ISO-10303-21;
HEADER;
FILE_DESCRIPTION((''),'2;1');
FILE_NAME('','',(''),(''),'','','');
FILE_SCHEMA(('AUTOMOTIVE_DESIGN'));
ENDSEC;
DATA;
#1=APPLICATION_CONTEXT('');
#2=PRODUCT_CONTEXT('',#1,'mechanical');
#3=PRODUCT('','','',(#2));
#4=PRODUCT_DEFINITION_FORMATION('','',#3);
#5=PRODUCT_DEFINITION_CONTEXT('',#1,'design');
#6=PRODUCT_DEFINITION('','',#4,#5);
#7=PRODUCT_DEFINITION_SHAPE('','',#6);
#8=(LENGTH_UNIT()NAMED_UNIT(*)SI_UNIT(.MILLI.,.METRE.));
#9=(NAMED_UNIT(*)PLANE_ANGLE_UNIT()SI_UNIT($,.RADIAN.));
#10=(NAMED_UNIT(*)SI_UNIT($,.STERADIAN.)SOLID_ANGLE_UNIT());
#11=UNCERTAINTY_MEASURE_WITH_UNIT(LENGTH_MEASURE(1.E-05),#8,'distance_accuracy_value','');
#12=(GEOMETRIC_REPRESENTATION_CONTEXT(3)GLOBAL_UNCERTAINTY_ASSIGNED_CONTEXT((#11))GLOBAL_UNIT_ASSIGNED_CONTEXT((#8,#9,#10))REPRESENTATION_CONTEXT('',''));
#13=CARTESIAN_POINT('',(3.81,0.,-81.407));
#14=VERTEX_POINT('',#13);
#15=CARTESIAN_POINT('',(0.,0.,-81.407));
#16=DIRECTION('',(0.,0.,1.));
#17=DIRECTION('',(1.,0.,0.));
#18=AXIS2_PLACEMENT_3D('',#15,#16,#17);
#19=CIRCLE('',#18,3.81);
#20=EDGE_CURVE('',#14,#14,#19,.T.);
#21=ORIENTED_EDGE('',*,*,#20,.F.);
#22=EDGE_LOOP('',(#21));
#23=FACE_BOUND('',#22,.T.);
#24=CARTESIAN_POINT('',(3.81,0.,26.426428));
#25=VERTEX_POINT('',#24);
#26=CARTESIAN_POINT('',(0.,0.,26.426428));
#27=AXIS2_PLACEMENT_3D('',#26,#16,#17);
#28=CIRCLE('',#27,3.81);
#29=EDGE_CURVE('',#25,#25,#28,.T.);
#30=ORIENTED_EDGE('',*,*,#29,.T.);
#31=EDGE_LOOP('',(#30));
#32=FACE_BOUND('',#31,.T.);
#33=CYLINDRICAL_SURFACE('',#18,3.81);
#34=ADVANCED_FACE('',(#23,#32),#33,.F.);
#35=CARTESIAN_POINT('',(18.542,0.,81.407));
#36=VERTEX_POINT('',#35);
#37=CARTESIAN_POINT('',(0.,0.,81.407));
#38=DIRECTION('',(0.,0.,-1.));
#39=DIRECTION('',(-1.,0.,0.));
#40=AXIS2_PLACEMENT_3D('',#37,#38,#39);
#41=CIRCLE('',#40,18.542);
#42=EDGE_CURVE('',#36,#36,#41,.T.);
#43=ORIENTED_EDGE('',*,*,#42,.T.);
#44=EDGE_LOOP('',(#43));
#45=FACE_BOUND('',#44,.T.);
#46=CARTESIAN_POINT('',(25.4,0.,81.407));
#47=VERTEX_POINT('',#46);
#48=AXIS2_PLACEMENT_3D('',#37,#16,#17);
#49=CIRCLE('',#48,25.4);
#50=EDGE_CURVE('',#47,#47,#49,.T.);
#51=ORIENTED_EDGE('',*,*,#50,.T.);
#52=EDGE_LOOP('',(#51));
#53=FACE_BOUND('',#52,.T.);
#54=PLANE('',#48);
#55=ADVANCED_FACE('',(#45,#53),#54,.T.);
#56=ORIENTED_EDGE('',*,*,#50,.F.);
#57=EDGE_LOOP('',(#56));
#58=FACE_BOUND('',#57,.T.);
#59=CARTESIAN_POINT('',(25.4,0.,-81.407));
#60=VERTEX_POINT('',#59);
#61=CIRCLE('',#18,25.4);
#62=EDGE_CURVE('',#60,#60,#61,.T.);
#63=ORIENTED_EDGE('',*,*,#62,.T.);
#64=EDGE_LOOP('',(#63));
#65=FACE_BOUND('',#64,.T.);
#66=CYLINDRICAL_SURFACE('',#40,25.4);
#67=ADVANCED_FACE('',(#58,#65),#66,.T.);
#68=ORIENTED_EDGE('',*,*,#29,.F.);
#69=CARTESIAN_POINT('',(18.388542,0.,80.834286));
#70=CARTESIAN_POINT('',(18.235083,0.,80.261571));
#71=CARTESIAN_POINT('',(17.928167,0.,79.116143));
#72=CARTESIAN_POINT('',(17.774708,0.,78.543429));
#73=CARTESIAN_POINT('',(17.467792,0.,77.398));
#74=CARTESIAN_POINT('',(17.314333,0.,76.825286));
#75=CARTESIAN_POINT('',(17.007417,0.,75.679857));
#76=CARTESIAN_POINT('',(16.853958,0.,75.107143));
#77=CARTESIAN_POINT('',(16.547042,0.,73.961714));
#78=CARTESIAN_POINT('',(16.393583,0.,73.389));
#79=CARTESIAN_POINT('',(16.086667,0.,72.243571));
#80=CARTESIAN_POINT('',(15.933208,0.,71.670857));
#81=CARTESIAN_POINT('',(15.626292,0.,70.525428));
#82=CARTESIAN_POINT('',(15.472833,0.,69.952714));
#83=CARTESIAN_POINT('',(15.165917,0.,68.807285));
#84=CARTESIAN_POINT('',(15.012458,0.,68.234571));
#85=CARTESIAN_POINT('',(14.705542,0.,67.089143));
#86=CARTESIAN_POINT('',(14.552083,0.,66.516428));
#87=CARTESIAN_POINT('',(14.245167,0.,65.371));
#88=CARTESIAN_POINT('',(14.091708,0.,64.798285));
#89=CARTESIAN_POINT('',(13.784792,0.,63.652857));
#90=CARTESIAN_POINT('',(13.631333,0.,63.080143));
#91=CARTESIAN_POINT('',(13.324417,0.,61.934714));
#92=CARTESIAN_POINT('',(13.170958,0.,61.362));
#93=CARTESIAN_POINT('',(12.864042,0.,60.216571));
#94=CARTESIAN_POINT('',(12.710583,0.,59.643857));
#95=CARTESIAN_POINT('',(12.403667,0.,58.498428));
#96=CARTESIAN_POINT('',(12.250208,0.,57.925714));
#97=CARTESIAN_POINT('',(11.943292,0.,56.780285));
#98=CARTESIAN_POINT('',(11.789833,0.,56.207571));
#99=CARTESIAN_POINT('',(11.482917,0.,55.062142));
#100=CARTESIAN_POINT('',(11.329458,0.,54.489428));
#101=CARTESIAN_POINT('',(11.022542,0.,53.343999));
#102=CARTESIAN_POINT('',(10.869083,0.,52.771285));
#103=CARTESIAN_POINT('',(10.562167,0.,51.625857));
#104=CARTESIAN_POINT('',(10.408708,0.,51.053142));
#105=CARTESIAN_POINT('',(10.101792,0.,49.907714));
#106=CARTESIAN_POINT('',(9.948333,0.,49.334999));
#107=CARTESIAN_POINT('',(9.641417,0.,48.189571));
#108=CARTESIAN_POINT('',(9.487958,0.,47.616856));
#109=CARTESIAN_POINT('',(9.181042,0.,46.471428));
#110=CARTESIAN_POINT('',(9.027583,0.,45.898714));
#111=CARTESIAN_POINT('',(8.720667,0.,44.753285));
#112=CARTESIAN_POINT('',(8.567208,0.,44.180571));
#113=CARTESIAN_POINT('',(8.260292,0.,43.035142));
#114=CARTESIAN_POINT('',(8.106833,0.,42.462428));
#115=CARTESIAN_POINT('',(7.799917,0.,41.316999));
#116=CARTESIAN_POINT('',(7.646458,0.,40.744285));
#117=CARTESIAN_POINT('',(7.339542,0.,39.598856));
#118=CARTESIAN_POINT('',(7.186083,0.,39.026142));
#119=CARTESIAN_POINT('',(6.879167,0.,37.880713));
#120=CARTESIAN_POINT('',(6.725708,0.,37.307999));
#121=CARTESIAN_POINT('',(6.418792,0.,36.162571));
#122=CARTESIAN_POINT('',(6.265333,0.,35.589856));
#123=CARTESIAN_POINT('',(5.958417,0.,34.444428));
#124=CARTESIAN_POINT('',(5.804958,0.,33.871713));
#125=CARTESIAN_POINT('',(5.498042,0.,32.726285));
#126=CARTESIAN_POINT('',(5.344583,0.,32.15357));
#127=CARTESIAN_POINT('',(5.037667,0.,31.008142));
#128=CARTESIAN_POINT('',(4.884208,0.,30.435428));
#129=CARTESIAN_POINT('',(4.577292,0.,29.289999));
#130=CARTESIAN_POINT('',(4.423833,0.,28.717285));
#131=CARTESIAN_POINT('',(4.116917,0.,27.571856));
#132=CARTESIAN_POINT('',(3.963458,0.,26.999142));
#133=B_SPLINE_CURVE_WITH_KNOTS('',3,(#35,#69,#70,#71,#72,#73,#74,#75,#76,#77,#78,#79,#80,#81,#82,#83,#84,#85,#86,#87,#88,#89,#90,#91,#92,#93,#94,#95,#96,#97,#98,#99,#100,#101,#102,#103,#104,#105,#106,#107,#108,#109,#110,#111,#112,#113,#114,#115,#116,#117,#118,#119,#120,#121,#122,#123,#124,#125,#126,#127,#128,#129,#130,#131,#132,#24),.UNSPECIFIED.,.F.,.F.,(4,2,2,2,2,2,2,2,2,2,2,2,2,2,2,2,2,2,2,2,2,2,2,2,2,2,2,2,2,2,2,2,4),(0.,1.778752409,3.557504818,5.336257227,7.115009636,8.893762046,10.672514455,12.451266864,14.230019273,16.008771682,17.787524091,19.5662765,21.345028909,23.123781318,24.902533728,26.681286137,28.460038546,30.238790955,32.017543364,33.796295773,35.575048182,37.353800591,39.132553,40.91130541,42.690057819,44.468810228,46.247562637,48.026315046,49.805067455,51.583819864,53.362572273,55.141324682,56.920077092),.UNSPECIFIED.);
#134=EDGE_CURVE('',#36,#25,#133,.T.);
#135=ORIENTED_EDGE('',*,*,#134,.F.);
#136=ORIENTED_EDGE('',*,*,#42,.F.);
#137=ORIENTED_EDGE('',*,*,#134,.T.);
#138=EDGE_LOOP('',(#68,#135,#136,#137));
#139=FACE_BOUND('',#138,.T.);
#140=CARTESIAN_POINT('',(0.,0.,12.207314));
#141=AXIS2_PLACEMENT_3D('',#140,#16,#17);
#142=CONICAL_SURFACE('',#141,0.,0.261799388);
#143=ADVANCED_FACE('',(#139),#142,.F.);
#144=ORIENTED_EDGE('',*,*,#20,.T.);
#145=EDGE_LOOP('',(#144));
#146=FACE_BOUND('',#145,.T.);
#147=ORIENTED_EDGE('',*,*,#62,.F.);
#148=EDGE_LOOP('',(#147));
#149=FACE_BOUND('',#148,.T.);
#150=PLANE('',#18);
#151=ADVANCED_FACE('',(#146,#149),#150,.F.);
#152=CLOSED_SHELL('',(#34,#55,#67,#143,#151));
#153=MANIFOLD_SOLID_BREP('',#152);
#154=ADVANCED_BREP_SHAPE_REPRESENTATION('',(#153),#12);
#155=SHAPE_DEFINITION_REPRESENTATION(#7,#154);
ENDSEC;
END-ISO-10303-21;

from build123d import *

# Parameters (mm, degrees)
SKETCH1_R           = 25.4
BOSS_EXTRUDE1_DEPTH = 81.407
SKETCH2_R           = 3.81
CUT_EXTRUDE2_DEPTH  = 167.729477286


with BuildPart() as part:
    # Sketch1 → Boss-Extrude1 (new, symmetric)
    with BuildSketch(Plane.XY):
        Circle(SKETCH1_R)
    extrude(amount=BOSS_EXTRUDE1_DEPTH, both=True)

    # Sketch2 → Cut-Extrude2 (cut, through all)
    with BuildSketch(Plane.XY.offset(81.407)):
        Circle(SKETCH2_R)
    extrude(amount=-CUT_EXTRUDE2_DEPTH, mode=Mode.SUBTRACT)

    # Sketch6 → Cut-Revolve1 (revolve, cut)
    with BuildSketch(Plane(origin=(0, 0, 0), x_dir=(0, 0, -1), z_dir=(1, 0, 0)), mode=Mode.PRIVATE) as cut_revolve1_sk:
        Polygon((-12.207313926, 0), (-81.407, 18.542), (-81.407, 0), align=None)
    revolve(cut_revolve1_sk.sketch.rotate(Axis((0, 0, -89.5477), (0, 0, 1)), 270), axis=Axis((0, 0, -89.5477), (0, 0, 1)), mode=Mode.SUBTRACT)


solid = part.part
